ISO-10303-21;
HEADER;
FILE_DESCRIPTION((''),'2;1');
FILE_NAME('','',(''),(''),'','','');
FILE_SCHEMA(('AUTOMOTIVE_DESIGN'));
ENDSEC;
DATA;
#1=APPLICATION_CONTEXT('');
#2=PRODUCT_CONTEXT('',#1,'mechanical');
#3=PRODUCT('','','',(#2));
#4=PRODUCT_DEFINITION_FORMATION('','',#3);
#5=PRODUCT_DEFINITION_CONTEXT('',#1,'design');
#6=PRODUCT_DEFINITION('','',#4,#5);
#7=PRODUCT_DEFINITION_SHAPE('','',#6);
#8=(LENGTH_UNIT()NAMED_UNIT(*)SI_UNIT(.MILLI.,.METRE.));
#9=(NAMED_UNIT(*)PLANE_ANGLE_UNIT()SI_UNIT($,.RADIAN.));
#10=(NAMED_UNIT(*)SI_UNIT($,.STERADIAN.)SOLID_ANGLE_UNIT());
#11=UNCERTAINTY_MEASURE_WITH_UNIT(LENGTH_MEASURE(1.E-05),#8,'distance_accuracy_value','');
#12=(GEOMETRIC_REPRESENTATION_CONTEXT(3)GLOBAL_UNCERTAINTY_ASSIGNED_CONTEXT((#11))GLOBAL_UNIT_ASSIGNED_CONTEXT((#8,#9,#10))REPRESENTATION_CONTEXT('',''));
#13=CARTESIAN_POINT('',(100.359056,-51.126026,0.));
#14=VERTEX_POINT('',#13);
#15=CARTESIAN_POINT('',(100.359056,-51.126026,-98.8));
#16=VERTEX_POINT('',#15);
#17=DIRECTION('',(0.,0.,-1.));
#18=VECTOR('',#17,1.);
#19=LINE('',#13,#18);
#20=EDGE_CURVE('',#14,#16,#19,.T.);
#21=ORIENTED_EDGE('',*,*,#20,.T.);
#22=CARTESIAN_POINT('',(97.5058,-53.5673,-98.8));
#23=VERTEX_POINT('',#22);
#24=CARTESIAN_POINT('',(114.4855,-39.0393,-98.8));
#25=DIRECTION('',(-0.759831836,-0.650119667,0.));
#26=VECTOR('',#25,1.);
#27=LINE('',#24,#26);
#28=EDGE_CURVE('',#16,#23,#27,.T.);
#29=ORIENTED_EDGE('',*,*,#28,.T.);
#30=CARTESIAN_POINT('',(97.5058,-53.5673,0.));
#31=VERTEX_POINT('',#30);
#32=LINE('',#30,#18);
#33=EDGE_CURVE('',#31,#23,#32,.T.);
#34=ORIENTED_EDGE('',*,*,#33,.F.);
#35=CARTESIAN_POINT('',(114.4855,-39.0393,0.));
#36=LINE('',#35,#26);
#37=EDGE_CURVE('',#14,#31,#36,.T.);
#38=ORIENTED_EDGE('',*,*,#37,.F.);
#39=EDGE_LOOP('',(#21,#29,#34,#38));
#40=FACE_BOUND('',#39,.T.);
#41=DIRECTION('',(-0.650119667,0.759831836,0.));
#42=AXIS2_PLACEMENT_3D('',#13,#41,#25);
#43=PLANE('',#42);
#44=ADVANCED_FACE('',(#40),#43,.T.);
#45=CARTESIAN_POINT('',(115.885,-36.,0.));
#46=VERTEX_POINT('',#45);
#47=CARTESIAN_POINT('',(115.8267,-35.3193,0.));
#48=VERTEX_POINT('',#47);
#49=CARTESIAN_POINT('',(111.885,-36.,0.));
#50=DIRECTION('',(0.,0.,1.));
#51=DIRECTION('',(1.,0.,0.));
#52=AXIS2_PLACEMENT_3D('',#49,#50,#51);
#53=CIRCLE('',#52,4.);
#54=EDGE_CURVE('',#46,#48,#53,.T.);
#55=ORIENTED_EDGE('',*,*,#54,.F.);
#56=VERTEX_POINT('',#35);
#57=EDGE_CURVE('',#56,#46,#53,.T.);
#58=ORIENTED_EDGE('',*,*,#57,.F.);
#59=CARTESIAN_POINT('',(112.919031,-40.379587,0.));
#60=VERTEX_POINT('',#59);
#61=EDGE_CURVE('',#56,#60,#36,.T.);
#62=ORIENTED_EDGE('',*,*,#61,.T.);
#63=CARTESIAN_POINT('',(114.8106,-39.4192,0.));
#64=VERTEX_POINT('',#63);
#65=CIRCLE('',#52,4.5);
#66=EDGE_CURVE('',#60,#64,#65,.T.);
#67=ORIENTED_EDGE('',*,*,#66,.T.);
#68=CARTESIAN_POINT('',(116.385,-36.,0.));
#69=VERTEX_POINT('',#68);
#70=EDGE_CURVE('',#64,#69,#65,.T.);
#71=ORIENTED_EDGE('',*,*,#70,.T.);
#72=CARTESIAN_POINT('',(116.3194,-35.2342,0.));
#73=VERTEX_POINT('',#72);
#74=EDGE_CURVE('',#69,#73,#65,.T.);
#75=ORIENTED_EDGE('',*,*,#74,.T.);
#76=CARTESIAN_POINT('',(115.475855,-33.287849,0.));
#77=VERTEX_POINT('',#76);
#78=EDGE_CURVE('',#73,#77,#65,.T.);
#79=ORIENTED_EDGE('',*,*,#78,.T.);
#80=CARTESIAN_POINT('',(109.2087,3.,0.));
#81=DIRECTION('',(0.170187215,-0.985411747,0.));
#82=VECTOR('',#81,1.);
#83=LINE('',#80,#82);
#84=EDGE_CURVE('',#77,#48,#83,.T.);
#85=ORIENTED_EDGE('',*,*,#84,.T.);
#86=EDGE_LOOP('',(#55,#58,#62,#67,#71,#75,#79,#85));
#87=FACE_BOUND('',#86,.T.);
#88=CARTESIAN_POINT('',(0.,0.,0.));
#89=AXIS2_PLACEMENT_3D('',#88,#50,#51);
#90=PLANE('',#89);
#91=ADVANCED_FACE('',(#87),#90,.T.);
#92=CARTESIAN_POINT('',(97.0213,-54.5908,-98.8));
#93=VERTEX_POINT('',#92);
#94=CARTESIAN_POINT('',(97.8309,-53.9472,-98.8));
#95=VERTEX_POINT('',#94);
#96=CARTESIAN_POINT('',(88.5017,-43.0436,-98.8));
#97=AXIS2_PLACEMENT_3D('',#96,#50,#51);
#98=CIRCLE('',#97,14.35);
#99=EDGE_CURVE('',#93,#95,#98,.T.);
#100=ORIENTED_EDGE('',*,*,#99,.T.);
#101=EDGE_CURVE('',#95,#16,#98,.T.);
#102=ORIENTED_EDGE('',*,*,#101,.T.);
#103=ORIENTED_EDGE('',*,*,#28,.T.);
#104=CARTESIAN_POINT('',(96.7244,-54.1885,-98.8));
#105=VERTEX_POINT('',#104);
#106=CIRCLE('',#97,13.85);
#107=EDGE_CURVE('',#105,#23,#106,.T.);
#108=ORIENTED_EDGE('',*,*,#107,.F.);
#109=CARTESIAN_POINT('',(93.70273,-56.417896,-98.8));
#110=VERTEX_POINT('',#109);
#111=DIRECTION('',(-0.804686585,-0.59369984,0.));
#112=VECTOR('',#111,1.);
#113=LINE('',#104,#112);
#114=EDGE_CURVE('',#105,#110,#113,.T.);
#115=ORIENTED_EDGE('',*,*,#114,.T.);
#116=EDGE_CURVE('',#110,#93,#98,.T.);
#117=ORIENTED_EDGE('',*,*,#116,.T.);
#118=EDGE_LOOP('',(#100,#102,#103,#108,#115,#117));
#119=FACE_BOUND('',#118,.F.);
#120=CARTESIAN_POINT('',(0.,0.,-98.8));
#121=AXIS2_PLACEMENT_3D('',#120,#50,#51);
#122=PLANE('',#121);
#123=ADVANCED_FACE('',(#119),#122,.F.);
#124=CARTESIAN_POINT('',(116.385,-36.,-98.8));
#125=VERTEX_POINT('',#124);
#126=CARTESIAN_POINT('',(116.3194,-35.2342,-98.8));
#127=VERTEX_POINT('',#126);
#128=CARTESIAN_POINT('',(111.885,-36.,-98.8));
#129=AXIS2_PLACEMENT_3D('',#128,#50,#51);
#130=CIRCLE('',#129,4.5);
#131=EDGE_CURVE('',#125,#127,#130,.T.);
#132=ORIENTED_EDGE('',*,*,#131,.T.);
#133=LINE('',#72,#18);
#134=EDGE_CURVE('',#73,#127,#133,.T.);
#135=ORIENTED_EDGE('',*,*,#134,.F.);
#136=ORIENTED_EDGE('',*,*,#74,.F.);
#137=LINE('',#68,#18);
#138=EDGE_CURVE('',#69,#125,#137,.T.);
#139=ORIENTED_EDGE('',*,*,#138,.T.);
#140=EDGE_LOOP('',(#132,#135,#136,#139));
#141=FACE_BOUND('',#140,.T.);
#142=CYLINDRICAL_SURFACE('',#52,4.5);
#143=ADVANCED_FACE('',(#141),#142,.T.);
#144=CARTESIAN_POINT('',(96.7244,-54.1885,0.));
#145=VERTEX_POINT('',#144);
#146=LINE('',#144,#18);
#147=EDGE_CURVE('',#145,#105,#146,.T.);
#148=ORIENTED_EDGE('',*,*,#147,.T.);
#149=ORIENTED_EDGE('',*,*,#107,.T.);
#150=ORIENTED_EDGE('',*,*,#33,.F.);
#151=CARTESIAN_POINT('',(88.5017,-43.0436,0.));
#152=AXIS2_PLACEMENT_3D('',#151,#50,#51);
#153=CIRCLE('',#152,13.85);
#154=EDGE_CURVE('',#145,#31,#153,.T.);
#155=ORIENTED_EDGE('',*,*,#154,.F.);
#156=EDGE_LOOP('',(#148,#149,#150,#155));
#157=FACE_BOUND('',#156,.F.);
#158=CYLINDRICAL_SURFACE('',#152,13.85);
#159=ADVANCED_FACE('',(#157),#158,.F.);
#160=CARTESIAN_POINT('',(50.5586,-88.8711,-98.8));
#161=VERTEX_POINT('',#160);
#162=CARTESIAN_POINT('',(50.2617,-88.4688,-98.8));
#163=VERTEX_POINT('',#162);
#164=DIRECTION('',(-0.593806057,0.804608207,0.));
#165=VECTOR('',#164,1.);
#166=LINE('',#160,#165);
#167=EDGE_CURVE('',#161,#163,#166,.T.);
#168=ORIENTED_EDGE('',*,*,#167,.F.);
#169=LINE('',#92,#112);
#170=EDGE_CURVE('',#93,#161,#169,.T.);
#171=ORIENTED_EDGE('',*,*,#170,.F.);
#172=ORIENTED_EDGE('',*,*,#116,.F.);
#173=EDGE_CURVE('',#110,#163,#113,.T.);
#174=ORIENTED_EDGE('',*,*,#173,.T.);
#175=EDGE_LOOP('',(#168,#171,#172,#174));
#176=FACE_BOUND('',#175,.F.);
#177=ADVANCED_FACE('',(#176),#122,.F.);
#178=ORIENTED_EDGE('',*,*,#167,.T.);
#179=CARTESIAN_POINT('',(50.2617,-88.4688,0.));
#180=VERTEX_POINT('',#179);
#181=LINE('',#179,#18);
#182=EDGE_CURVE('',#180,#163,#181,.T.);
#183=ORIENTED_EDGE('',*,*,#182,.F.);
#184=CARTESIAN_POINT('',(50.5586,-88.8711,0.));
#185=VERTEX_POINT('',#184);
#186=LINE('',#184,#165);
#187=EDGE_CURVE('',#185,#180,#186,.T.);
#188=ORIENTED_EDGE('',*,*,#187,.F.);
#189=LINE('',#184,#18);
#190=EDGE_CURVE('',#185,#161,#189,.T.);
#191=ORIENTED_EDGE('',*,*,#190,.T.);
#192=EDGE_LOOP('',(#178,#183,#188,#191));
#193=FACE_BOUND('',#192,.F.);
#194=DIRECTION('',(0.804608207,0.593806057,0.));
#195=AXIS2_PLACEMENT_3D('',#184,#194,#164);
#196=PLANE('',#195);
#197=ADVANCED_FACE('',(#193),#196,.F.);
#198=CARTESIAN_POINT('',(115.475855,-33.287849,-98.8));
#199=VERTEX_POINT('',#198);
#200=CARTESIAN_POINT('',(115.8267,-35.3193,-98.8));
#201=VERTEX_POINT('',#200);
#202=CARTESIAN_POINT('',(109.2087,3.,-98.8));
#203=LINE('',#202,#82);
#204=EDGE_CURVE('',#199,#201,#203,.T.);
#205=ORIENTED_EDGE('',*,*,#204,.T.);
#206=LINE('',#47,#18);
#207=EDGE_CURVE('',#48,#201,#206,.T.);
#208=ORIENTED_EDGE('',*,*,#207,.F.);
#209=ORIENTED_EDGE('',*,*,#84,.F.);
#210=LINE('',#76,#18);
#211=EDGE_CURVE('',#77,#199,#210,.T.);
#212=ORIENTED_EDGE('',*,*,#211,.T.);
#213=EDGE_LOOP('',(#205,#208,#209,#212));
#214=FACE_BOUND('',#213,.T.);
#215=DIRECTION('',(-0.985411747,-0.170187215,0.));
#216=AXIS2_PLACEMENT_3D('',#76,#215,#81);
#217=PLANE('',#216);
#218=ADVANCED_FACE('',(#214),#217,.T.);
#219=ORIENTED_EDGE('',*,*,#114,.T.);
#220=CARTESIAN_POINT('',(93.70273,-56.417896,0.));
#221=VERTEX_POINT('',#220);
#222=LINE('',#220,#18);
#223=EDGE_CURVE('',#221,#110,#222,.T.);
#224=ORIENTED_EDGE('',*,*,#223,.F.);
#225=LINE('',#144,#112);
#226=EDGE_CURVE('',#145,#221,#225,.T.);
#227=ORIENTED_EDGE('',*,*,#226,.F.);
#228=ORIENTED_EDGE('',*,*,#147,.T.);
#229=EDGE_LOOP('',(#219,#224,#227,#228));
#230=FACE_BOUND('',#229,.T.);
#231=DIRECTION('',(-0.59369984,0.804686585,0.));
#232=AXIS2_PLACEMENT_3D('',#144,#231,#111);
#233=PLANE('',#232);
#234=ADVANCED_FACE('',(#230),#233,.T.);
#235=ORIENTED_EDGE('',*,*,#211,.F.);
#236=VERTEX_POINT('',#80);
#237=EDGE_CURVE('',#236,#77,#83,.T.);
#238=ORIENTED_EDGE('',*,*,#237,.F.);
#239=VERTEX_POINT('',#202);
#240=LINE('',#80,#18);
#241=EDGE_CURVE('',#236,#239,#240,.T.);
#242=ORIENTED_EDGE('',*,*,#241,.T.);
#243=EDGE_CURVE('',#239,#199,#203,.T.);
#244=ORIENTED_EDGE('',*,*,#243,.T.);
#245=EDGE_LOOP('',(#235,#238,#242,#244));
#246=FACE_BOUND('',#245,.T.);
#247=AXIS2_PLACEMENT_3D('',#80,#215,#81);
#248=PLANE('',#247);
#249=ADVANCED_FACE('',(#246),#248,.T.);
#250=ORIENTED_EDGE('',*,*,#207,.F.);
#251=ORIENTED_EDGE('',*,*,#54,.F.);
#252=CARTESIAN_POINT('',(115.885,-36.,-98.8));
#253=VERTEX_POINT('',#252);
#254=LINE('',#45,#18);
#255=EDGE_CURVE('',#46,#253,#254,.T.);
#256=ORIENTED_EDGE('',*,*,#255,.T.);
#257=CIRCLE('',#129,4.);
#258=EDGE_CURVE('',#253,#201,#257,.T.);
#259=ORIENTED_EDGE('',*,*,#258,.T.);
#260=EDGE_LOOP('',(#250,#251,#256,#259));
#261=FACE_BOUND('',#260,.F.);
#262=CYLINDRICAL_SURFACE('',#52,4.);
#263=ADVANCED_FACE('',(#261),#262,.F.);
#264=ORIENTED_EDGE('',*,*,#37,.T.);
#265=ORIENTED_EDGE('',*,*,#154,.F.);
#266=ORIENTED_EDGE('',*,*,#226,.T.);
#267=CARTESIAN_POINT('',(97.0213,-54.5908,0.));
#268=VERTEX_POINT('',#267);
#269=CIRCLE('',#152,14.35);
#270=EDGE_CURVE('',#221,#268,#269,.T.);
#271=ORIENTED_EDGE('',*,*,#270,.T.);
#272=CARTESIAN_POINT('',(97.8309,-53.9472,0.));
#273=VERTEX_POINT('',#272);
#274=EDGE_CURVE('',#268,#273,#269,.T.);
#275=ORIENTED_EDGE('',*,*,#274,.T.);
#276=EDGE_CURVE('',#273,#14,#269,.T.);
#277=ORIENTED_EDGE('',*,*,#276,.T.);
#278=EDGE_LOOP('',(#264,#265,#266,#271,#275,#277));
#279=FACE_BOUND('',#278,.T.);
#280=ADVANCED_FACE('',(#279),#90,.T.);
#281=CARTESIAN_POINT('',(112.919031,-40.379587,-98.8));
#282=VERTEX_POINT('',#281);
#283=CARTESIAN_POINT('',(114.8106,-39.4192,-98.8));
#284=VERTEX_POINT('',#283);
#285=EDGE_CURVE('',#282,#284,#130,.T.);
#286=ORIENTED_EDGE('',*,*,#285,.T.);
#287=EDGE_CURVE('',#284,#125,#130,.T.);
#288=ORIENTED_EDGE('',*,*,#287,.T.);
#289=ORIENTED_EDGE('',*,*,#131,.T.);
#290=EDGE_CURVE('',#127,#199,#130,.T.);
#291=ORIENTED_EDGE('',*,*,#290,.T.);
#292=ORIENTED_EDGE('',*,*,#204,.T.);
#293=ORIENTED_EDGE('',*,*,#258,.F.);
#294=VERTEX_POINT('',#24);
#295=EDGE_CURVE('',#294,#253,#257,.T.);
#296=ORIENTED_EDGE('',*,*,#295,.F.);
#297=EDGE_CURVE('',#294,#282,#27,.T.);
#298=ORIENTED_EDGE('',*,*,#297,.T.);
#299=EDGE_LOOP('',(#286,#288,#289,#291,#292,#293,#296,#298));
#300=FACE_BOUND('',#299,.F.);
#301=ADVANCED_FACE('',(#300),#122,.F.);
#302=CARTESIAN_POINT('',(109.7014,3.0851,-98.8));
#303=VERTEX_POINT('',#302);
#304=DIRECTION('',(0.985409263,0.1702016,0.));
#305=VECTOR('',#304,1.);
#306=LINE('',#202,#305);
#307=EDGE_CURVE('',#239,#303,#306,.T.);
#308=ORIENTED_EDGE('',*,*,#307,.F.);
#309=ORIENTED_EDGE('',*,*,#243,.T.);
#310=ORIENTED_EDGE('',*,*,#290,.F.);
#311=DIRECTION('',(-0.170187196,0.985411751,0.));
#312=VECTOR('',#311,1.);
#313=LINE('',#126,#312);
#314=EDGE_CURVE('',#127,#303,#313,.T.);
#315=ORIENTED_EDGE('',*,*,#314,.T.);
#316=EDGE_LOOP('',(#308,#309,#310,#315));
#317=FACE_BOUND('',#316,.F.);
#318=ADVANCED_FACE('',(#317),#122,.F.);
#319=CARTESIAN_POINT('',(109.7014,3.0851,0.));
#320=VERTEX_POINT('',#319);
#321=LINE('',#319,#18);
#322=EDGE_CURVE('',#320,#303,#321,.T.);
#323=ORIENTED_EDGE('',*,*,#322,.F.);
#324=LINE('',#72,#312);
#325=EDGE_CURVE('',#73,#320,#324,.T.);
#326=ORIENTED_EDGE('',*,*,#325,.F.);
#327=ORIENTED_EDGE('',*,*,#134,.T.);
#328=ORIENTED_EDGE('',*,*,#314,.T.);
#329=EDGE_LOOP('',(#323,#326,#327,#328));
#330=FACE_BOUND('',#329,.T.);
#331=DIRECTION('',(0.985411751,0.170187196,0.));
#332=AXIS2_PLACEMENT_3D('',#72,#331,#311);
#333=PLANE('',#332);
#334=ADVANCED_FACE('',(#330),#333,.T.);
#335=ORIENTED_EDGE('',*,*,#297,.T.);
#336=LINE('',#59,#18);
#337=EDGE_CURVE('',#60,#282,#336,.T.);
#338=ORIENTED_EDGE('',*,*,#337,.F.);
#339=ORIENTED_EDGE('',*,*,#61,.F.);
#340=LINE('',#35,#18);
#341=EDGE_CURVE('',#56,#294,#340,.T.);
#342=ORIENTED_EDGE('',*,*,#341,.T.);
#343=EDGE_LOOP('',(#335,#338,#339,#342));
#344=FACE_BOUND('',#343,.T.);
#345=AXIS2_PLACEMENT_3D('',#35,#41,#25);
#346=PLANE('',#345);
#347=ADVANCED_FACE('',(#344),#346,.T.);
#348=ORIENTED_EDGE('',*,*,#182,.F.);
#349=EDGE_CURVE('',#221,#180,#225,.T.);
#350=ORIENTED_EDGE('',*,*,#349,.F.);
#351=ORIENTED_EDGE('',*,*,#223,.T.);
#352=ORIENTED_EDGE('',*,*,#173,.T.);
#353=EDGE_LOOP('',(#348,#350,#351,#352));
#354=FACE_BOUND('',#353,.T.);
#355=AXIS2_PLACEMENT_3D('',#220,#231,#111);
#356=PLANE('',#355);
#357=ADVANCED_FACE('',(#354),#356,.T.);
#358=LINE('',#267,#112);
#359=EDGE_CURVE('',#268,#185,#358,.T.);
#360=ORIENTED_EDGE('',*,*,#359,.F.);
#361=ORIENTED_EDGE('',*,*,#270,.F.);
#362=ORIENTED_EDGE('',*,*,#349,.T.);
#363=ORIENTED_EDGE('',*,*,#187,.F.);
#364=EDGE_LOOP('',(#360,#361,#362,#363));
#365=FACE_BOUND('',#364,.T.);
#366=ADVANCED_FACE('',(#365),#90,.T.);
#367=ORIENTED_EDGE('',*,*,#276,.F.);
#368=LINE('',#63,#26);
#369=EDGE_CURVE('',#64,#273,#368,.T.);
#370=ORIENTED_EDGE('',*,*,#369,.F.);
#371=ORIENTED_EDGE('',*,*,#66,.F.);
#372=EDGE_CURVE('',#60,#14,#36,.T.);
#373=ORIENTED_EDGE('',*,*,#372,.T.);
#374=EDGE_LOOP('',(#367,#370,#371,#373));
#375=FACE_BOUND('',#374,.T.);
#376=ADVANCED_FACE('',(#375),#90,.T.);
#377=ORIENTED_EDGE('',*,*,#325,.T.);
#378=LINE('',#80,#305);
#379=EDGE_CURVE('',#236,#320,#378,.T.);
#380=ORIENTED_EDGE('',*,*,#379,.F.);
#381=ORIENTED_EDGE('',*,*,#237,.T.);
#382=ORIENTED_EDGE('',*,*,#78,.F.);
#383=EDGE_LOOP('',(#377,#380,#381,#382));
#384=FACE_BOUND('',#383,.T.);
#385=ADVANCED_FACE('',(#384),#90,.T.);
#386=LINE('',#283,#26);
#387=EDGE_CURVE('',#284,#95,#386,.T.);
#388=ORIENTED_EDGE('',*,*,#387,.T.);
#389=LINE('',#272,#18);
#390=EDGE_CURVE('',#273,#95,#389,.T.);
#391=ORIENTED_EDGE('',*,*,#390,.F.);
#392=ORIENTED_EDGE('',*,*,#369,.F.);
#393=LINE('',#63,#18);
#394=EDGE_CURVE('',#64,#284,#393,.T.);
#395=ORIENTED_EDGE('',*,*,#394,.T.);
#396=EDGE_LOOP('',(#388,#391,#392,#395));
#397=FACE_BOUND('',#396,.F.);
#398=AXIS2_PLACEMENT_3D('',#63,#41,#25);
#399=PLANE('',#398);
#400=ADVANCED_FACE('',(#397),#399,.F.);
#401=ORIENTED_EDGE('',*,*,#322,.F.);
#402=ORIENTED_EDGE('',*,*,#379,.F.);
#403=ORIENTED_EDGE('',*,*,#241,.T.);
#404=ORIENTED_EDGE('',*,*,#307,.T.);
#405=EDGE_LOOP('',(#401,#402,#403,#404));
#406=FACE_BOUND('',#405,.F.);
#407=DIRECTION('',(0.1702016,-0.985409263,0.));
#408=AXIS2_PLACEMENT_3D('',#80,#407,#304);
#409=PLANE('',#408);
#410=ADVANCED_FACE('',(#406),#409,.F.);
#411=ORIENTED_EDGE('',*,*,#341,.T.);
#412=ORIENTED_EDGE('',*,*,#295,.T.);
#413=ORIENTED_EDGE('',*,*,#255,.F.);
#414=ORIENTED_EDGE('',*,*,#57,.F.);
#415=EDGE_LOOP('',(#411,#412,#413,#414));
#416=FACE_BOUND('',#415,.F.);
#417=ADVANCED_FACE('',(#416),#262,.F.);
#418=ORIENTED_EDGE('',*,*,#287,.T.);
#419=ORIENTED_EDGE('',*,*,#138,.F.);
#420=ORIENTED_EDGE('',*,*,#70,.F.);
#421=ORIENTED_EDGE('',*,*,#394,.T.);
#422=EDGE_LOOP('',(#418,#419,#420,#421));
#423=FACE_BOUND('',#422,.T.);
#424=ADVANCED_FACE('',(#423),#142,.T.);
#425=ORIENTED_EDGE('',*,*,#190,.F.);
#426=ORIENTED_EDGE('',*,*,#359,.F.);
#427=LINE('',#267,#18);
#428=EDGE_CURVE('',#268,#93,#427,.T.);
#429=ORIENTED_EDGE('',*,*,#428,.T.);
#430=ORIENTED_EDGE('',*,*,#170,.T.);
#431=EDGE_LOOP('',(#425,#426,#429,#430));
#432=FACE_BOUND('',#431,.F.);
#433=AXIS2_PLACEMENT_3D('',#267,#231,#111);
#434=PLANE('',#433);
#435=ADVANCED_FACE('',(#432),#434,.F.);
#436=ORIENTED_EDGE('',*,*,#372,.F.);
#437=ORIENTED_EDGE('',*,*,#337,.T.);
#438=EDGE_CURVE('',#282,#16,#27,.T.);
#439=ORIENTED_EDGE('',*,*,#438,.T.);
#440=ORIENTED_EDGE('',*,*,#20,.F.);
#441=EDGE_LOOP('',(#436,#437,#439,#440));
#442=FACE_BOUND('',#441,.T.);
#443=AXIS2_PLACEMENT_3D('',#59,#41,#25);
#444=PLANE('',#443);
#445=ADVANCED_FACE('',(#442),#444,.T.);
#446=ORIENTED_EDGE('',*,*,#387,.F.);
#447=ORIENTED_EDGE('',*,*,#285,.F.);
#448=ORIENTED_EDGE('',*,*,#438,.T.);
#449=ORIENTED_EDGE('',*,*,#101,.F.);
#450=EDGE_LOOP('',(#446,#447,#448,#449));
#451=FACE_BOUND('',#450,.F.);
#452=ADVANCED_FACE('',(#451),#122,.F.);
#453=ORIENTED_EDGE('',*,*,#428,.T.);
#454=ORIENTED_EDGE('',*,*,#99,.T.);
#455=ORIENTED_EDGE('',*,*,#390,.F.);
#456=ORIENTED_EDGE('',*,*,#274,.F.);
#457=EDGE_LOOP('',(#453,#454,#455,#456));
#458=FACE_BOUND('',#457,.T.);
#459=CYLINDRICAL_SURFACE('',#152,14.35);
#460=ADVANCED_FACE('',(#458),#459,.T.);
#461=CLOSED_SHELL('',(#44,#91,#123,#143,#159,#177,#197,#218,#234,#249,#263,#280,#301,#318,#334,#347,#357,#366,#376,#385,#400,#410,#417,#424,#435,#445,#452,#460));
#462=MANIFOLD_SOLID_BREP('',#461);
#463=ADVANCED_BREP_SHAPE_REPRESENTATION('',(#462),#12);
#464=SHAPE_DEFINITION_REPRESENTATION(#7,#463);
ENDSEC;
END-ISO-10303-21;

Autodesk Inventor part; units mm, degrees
ref_plane "YZ Plane" through (0, 0, 0) normal (1, 0, 0) x (0, 1, 0)
ref_plane "XZ Plane" through (0, 0, 0) normal (0, 1, 0) x (-1, 0, 0)
ref_plane "XY Plane" through (0, 0, 0) normal (0, 0, 1) x (1, 0, 0)
sketch "スケッチ1" plane through (0, 0, 0) normal (0, 0, 1) x (1, 0, 0)
  line L0 (109.2087, 3) -> (109.2087, 0)
  line L1 (109.2087, -3) -> (109.2087, 0)
  circle A0 centre (111.885, -36) radius 4
  circle A1 centre (47.8869, -85.25) radius 4
  line L2 (109.2087, 3) -> (115.8267, -35.3193)
  line L3 (116.3194, -35.2342) -> (108.7087, 8.833)
  line L4 (108.7087, 8.833) -> (108.7087, 0)
  circle A2 centre (111.885, -36) radius 4.5
  line L5 (109.2087, 3) -> (109.7014, 3.0851)
  circle A3 centre (88.5017, -43.0436) radius 13.85
  line L6 (96.7244, -54.1885) -> (50.2617, -88.4688)
  line L7 (114.4855, -39.0393) -> (97.5058, -53.5673)
  line L8 (114.8106, -39.4192) -> (97.8309, -53.9472)
  circle A4 centre (88.5017, -43.0436) radius 14.35
  line L9 (97.0213, -54.5908) -> (50.5586, -88.8711)
  line L10 (50.5586, -88.8711) -> (50.2617, -88.4688)
  point P0 (0, 0)
  dimension "d0" = 0.5
  dimension "d1" = 0.5
  dimension "d2" = 0.5
  dimension "d3" = 0.5
  dimension "d4" = 0.5
extrude "押し出し1" add sketch "スケッチ1" against normal blind 98.8 contours A0 L2 A2 L7 | L2 L5 L3 A2 | A2 L8 A4 L7 | A4 L6 A3 L7 | L9 L10 L6 A4 picked at (113.6675, -39.86) picked at (95.0962, -55.5046)
properties part number "機体ケツ防護カバーver2" material "ポリカーボネート、クリア"
